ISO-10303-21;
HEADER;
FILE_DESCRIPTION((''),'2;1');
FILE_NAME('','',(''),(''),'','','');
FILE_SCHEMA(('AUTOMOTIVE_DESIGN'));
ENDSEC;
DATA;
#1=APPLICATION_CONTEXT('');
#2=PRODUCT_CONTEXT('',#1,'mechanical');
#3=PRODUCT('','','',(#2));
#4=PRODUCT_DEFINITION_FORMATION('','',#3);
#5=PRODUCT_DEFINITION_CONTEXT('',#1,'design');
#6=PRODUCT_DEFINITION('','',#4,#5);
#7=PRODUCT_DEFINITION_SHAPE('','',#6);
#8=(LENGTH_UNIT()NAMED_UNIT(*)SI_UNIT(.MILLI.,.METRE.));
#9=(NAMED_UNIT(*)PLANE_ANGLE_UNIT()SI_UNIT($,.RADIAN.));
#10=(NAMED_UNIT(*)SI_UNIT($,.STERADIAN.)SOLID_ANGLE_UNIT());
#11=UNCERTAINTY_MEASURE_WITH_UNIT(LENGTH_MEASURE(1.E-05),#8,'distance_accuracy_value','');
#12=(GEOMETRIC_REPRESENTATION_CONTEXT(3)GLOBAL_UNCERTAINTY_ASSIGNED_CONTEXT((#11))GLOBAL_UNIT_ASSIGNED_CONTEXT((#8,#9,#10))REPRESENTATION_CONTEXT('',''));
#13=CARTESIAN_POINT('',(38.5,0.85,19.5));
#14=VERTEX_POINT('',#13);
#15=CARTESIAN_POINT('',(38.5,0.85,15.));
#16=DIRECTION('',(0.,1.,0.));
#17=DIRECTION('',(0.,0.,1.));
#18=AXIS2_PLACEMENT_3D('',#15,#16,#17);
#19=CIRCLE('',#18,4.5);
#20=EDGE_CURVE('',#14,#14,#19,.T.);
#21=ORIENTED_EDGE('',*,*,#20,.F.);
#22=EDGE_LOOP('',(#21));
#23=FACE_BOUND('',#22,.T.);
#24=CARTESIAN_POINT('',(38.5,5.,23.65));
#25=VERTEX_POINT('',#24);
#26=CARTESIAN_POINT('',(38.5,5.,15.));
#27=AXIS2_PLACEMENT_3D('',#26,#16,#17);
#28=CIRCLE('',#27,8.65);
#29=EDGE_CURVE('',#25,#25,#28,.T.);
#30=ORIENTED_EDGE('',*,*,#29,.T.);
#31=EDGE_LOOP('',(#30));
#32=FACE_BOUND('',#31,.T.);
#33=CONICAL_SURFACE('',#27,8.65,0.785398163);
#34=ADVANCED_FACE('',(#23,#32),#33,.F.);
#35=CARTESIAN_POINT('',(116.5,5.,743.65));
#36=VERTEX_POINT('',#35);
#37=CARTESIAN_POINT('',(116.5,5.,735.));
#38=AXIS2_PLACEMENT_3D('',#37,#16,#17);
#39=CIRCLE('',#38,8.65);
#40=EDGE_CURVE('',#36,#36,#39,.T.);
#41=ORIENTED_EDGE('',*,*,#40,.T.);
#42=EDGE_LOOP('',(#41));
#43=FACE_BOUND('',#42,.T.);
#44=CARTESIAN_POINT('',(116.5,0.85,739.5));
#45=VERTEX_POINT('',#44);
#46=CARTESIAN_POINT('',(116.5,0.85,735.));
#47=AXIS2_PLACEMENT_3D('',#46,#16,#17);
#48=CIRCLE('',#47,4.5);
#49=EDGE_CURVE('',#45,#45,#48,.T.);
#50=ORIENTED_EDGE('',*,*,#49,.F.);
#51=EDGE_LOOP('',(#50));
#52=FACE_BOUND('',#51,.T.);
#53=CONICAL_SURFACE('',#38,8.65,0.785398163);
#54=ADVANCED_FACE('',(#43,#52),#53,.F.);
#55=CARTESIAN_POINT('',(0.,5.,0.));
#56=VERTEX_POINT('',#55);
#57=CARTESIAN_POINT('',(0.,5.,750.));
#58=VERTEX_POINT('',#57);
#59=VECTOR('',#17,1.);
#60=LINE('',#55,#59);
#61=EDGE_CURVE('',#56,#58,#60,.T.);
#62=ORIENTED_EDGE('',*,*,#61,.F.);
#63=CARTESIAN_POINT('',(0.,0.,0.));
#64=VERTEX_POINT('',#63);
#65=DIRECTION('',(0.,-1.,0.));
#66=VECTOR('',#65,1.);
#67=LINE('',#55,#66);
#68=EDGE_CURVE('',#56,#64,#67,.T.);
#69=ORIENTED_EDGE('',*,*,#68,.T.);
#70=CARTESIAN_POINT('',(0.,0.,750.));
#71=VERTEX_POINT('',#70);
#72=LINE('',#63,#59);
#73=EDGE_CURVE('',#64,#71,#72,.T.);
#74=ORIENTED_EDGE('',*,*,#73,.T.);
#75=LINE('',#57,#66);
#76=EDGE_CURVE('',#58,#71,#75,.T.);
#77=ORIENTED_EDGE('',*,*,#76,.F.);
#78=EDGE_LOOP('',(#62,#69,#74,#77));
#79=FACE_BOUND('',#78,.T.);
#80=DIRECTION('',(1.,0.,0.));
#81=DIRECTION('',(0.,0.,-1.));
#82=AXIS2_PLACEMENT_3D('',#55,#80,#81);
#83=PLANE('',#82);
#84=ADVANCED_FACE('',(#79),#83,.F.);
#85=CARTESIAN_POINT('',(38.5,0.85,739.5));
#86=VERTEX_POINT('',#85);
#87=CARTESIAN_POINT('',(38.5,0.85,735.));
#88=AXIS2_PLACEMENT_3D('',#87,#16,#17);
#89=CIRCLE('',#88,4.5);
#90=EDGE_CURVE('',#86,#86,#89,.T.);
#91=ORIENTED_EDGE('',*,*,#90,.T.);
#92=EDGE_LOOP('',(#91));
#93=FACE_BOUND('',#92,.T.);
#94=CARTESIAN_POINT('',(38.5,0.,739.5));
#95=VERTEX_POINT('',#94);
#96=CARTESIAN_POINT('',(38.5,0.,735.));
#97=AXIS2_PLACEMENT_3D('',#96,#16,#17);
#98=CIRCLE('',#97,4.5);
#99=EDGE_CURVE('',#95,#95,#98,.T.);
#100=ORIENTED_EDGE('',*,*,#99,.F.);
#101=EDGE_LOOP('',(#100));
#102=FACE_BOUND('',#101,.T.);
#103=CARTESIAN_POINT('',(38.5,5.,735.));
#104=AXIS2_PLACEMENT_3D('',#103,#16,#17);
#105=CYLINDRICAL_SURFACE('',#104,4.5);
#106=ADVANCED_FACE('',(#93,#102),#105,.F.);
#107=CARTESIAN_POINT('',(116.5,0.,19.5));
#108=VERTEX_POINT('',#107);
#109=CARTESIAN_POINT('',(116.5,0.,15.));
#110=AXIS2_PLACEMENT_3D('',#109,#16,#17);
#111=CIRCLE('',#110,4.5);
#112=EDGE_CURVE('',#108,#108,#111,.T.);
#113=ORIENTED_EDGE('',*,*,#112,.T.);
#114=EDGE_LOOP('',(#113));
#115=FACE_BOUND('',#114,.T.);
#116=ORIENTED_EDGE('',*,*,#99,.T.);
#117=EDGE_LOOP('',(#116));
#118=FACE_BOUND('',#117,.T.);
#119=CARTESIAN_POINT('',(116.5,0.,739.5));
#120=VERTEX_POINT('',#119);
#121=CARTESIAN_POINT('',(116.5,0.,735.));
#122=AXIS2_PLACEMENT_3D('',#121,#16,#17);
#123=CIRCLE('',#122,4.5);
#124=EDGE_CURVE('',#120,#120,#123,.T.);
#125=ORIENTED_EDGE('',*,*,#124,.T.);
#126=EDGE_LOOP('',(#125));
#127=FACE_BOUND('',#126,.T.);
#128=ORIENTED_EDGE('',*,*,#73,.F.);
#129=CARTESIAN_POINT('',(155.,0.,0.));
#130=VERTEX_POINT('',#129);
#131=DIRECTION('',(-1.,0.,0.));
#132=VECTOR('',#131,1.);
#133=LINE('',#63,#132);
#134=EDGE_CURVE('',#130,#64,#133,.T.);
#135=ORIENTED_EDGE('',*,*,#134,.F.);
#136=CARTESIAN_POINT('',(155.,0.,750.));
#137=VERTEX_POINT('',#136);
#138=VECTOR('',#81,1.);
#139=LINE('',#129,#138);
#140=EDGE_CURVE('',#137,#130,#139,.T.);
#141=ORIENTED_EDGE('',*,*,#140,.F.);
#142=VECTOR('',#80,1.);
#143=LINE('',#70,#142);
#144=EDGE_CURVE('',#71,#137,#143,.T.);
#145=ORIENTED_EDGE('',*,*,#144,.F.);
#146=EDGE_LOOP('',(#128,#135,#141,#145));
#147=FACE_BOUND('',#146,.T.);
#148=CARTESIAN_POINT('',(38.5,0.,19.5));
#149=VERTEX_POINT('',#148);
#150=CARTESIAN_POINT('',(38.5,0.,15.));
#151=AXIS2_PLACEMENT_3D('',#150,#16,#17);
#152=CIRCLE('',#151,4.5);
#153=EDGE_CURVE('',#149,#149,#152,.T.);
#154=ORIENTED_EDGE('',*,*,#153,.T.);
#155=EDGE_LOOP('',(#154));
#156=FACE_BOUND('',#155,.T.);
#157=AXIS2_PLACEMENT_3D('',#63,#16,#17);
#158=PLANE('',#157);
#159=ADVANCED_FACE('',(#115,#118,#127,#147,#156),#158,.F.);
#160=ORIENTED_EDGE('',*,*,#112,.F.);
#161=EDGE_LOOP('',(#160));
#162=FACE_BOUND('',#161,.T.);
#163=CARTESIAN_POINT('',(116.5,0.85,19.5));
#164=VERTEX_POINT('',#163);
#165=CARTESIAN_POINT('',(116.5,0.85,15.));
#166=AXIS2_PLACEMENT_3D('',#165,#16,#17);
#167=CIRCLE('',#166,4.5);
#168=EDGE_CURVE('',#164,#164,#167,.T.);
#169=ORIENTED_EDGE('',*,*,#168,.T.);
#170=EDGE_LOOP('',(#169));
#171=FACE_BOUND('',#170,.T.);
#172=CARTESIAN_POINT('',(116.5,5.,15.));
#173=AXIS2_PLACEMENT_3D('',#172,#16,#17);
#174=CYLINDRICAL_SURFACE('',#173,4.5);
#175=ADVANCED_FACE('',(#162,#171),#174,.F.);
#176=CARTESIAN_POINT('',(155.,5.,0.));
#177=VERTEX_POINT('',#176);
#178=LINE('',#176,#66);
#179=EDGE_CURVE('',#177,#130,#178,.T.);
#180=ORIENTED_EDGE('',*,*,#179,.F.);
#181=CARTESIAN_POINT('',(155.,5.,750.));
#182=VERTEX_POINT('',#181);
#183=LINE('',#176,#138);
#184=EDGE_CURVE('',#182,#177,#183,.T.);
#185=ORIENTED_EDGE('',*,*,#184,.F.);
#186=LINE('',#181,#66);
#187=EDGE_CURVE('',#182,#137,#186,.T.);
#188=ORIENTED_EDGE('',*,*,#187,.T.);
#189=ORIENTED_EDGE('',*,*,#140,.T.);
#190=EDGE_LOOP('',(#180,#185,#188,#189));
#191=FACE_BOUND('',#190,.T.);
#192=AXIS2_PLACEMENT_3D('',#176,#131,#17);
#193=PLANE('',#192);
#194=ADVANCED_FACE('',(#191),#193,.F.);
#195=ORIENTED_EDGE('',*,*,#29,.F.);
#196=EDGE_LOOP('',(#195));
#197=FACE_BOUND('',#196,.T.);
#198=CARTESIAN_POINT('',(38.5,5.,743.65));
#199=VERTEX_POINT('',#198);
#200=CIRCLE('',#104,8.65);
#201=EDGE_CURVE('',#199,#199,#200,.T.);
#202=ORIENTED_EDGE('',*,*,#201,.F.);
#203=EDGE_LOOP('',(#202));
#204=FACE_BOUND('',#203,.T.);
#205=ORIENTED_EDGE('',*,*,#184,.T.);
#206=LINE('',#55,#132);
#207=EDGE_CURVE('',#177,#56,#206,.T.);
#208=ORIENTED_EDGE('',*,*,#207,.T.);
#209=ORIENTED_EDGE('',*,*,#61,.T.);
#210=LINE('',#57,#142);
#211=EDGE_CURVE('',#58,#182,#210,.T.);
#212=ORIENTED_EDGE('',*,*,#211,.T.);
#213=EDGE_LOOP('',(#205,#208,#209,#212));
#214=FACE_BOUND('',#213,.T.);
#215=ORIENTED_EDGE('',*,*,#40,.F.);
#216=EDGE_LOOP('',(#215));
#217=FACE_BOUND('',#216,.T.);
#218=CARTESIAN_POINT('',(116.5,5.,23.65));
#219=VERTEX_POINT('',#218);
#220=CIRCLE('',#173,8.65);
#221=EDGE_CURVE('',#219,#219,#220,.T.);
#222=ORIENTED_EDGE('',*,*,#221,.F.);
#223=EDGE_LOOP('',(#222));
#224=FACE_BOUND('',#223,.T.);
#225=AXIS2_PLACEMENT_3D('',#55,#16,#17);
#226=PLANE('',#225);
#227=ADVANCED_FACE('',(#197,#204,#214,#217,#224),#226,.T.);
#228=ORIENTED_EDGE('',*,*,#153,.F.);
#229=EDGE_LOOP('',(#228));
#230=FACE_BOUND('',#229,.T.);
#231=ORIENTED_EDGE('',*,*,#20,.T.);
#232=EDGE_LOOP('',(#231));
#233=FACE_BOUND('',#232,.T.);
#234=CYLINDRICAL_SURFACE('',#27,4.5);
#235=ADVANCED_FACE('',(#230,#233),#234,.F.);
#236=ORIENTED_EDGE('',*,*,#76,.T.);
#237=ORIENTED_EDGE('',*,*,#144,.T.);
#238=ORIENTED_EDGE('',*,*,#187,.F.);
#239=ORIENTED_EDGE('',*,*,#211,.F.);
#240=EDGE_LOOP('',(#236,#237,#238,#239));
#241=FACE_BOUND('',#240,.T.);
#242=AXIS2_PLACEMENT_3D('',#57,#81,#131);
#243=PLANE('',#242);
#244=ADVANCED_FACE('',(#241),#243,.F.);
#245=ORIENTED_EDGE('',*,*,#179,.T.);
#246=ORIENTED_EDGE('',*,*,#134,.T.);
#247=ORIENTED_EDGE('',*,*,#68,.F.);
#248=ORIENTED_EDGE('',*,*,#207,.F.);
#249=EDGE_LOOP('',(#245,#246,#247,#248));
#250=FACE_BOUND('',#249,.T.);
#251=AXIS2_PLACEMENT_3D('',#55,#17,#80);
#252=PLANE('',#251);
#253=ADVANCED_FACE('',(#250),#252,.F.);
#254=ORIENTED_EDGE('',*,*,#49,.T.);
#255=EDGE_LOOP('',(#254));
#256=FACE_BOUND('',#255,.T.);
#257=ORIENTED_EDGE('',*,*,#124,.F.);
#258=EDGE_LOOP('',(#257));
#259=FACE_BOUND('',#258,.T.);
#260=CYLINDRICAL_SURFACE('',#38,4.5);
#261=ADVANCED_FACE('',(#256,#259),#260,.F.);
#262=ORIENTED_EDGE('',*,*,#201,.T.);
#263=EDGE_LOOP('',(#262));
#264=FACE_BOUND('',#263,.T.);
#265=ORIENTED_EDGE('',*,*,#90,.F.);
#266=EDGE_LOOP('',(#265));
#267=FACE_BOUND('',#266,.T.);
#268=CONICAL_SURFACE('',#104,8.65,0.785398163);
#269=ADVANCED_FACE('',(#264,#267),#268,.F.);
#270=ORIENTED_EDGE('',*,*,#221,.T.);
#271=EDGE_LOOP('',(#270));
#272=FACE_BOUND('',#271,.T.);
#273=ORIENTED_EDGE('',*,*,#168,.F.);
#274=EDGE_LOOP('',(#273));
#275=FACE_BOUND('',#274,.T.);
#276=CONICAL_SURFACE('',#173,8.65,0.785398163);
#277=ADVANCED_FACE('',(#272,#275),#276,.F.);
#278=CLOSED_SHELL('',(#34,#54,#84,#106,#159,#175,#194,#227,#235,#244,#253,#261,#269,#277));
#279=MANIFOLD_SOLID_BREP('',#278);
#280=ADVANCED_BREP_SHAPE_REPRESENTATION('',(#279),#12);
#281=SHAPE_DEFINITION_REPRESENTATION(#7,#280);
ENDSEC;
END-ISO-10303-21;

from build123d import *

# Parameters (mm, degrees)
SKETCH1_W           = 155
SKETCH1_H           = 750
BOSS_EXTRUDE1_DEPTH = 5


with BuildPart() as part:
    # Sketch1 → Boss-Extrude1 (new body)
    with BuildSketch(Plane(origin=(0, 0, 0), x_dir=(1, 0, 0), z_dir=(0, 1, 0))):
        with Locations((77.5, -375)):
            Rectangle(SKETCH1_W, SKETCH1_H)
    extrude(amount=BOSS_EXTRUDE1_DEPTH)

    # Sketch24 → CSK for M8 Flat Head Machine Screw1 (revolve, cut)
    with BuildSketch(Plane(origin=(116.5, 5, 15), x_dir=(0, 0, 1), z_dir=(1, 0, 0))):
        Polygon((0, 0), (0, 5), (4.5, 5), (4.5, 4.15), (8.65, 0), align=None)
    csk_for_m8_flat_head_machine_screw1 = revolve(axis=Axis((116.5, 11.35, 15), (0, -1, 0)), mode=Mode.SUBTRACT)

    # Mirror1: CSK for M8 Flat Head Machine Screw1 across plane
    add(csk_for_m8_flat_head_machine_screw1.mirror(Plane(origin=(0, 0, 375), x_dir=(1, 0, 0), z_dir=(0, 0, -1))), mode=Mode.SUBTRACT)

    # Mirror2: CSK for M8 Flat Head Machine Screw1 across plane
    add(csk_for_m8_flat_head_machine_screw1.mirror(Plane(origin=(77.5, 0, 0), x_dir=(0, 0, 1), z_dir=(1, 0, 0))), mode=Mode.SUBTRACT)

    # Mirror2 copy 1 sketch → Mirror2 copy 1 (revolve, cut)
    with BuildSketch(Plane(origin=(38.5, 5, 735), x_dir=(0, 0, -1), z_dir=(-1, 0, 0))):
        Polygon((0, 0), (0, 5), (4.5, 5), (4.5, 4.15), (8.65, 0), align=None)
    revolve(axis=Axis((38.5, 11.35, 735), (0, -1, 0)), mode=Mode.SUBTRACT)


solid = part.part
